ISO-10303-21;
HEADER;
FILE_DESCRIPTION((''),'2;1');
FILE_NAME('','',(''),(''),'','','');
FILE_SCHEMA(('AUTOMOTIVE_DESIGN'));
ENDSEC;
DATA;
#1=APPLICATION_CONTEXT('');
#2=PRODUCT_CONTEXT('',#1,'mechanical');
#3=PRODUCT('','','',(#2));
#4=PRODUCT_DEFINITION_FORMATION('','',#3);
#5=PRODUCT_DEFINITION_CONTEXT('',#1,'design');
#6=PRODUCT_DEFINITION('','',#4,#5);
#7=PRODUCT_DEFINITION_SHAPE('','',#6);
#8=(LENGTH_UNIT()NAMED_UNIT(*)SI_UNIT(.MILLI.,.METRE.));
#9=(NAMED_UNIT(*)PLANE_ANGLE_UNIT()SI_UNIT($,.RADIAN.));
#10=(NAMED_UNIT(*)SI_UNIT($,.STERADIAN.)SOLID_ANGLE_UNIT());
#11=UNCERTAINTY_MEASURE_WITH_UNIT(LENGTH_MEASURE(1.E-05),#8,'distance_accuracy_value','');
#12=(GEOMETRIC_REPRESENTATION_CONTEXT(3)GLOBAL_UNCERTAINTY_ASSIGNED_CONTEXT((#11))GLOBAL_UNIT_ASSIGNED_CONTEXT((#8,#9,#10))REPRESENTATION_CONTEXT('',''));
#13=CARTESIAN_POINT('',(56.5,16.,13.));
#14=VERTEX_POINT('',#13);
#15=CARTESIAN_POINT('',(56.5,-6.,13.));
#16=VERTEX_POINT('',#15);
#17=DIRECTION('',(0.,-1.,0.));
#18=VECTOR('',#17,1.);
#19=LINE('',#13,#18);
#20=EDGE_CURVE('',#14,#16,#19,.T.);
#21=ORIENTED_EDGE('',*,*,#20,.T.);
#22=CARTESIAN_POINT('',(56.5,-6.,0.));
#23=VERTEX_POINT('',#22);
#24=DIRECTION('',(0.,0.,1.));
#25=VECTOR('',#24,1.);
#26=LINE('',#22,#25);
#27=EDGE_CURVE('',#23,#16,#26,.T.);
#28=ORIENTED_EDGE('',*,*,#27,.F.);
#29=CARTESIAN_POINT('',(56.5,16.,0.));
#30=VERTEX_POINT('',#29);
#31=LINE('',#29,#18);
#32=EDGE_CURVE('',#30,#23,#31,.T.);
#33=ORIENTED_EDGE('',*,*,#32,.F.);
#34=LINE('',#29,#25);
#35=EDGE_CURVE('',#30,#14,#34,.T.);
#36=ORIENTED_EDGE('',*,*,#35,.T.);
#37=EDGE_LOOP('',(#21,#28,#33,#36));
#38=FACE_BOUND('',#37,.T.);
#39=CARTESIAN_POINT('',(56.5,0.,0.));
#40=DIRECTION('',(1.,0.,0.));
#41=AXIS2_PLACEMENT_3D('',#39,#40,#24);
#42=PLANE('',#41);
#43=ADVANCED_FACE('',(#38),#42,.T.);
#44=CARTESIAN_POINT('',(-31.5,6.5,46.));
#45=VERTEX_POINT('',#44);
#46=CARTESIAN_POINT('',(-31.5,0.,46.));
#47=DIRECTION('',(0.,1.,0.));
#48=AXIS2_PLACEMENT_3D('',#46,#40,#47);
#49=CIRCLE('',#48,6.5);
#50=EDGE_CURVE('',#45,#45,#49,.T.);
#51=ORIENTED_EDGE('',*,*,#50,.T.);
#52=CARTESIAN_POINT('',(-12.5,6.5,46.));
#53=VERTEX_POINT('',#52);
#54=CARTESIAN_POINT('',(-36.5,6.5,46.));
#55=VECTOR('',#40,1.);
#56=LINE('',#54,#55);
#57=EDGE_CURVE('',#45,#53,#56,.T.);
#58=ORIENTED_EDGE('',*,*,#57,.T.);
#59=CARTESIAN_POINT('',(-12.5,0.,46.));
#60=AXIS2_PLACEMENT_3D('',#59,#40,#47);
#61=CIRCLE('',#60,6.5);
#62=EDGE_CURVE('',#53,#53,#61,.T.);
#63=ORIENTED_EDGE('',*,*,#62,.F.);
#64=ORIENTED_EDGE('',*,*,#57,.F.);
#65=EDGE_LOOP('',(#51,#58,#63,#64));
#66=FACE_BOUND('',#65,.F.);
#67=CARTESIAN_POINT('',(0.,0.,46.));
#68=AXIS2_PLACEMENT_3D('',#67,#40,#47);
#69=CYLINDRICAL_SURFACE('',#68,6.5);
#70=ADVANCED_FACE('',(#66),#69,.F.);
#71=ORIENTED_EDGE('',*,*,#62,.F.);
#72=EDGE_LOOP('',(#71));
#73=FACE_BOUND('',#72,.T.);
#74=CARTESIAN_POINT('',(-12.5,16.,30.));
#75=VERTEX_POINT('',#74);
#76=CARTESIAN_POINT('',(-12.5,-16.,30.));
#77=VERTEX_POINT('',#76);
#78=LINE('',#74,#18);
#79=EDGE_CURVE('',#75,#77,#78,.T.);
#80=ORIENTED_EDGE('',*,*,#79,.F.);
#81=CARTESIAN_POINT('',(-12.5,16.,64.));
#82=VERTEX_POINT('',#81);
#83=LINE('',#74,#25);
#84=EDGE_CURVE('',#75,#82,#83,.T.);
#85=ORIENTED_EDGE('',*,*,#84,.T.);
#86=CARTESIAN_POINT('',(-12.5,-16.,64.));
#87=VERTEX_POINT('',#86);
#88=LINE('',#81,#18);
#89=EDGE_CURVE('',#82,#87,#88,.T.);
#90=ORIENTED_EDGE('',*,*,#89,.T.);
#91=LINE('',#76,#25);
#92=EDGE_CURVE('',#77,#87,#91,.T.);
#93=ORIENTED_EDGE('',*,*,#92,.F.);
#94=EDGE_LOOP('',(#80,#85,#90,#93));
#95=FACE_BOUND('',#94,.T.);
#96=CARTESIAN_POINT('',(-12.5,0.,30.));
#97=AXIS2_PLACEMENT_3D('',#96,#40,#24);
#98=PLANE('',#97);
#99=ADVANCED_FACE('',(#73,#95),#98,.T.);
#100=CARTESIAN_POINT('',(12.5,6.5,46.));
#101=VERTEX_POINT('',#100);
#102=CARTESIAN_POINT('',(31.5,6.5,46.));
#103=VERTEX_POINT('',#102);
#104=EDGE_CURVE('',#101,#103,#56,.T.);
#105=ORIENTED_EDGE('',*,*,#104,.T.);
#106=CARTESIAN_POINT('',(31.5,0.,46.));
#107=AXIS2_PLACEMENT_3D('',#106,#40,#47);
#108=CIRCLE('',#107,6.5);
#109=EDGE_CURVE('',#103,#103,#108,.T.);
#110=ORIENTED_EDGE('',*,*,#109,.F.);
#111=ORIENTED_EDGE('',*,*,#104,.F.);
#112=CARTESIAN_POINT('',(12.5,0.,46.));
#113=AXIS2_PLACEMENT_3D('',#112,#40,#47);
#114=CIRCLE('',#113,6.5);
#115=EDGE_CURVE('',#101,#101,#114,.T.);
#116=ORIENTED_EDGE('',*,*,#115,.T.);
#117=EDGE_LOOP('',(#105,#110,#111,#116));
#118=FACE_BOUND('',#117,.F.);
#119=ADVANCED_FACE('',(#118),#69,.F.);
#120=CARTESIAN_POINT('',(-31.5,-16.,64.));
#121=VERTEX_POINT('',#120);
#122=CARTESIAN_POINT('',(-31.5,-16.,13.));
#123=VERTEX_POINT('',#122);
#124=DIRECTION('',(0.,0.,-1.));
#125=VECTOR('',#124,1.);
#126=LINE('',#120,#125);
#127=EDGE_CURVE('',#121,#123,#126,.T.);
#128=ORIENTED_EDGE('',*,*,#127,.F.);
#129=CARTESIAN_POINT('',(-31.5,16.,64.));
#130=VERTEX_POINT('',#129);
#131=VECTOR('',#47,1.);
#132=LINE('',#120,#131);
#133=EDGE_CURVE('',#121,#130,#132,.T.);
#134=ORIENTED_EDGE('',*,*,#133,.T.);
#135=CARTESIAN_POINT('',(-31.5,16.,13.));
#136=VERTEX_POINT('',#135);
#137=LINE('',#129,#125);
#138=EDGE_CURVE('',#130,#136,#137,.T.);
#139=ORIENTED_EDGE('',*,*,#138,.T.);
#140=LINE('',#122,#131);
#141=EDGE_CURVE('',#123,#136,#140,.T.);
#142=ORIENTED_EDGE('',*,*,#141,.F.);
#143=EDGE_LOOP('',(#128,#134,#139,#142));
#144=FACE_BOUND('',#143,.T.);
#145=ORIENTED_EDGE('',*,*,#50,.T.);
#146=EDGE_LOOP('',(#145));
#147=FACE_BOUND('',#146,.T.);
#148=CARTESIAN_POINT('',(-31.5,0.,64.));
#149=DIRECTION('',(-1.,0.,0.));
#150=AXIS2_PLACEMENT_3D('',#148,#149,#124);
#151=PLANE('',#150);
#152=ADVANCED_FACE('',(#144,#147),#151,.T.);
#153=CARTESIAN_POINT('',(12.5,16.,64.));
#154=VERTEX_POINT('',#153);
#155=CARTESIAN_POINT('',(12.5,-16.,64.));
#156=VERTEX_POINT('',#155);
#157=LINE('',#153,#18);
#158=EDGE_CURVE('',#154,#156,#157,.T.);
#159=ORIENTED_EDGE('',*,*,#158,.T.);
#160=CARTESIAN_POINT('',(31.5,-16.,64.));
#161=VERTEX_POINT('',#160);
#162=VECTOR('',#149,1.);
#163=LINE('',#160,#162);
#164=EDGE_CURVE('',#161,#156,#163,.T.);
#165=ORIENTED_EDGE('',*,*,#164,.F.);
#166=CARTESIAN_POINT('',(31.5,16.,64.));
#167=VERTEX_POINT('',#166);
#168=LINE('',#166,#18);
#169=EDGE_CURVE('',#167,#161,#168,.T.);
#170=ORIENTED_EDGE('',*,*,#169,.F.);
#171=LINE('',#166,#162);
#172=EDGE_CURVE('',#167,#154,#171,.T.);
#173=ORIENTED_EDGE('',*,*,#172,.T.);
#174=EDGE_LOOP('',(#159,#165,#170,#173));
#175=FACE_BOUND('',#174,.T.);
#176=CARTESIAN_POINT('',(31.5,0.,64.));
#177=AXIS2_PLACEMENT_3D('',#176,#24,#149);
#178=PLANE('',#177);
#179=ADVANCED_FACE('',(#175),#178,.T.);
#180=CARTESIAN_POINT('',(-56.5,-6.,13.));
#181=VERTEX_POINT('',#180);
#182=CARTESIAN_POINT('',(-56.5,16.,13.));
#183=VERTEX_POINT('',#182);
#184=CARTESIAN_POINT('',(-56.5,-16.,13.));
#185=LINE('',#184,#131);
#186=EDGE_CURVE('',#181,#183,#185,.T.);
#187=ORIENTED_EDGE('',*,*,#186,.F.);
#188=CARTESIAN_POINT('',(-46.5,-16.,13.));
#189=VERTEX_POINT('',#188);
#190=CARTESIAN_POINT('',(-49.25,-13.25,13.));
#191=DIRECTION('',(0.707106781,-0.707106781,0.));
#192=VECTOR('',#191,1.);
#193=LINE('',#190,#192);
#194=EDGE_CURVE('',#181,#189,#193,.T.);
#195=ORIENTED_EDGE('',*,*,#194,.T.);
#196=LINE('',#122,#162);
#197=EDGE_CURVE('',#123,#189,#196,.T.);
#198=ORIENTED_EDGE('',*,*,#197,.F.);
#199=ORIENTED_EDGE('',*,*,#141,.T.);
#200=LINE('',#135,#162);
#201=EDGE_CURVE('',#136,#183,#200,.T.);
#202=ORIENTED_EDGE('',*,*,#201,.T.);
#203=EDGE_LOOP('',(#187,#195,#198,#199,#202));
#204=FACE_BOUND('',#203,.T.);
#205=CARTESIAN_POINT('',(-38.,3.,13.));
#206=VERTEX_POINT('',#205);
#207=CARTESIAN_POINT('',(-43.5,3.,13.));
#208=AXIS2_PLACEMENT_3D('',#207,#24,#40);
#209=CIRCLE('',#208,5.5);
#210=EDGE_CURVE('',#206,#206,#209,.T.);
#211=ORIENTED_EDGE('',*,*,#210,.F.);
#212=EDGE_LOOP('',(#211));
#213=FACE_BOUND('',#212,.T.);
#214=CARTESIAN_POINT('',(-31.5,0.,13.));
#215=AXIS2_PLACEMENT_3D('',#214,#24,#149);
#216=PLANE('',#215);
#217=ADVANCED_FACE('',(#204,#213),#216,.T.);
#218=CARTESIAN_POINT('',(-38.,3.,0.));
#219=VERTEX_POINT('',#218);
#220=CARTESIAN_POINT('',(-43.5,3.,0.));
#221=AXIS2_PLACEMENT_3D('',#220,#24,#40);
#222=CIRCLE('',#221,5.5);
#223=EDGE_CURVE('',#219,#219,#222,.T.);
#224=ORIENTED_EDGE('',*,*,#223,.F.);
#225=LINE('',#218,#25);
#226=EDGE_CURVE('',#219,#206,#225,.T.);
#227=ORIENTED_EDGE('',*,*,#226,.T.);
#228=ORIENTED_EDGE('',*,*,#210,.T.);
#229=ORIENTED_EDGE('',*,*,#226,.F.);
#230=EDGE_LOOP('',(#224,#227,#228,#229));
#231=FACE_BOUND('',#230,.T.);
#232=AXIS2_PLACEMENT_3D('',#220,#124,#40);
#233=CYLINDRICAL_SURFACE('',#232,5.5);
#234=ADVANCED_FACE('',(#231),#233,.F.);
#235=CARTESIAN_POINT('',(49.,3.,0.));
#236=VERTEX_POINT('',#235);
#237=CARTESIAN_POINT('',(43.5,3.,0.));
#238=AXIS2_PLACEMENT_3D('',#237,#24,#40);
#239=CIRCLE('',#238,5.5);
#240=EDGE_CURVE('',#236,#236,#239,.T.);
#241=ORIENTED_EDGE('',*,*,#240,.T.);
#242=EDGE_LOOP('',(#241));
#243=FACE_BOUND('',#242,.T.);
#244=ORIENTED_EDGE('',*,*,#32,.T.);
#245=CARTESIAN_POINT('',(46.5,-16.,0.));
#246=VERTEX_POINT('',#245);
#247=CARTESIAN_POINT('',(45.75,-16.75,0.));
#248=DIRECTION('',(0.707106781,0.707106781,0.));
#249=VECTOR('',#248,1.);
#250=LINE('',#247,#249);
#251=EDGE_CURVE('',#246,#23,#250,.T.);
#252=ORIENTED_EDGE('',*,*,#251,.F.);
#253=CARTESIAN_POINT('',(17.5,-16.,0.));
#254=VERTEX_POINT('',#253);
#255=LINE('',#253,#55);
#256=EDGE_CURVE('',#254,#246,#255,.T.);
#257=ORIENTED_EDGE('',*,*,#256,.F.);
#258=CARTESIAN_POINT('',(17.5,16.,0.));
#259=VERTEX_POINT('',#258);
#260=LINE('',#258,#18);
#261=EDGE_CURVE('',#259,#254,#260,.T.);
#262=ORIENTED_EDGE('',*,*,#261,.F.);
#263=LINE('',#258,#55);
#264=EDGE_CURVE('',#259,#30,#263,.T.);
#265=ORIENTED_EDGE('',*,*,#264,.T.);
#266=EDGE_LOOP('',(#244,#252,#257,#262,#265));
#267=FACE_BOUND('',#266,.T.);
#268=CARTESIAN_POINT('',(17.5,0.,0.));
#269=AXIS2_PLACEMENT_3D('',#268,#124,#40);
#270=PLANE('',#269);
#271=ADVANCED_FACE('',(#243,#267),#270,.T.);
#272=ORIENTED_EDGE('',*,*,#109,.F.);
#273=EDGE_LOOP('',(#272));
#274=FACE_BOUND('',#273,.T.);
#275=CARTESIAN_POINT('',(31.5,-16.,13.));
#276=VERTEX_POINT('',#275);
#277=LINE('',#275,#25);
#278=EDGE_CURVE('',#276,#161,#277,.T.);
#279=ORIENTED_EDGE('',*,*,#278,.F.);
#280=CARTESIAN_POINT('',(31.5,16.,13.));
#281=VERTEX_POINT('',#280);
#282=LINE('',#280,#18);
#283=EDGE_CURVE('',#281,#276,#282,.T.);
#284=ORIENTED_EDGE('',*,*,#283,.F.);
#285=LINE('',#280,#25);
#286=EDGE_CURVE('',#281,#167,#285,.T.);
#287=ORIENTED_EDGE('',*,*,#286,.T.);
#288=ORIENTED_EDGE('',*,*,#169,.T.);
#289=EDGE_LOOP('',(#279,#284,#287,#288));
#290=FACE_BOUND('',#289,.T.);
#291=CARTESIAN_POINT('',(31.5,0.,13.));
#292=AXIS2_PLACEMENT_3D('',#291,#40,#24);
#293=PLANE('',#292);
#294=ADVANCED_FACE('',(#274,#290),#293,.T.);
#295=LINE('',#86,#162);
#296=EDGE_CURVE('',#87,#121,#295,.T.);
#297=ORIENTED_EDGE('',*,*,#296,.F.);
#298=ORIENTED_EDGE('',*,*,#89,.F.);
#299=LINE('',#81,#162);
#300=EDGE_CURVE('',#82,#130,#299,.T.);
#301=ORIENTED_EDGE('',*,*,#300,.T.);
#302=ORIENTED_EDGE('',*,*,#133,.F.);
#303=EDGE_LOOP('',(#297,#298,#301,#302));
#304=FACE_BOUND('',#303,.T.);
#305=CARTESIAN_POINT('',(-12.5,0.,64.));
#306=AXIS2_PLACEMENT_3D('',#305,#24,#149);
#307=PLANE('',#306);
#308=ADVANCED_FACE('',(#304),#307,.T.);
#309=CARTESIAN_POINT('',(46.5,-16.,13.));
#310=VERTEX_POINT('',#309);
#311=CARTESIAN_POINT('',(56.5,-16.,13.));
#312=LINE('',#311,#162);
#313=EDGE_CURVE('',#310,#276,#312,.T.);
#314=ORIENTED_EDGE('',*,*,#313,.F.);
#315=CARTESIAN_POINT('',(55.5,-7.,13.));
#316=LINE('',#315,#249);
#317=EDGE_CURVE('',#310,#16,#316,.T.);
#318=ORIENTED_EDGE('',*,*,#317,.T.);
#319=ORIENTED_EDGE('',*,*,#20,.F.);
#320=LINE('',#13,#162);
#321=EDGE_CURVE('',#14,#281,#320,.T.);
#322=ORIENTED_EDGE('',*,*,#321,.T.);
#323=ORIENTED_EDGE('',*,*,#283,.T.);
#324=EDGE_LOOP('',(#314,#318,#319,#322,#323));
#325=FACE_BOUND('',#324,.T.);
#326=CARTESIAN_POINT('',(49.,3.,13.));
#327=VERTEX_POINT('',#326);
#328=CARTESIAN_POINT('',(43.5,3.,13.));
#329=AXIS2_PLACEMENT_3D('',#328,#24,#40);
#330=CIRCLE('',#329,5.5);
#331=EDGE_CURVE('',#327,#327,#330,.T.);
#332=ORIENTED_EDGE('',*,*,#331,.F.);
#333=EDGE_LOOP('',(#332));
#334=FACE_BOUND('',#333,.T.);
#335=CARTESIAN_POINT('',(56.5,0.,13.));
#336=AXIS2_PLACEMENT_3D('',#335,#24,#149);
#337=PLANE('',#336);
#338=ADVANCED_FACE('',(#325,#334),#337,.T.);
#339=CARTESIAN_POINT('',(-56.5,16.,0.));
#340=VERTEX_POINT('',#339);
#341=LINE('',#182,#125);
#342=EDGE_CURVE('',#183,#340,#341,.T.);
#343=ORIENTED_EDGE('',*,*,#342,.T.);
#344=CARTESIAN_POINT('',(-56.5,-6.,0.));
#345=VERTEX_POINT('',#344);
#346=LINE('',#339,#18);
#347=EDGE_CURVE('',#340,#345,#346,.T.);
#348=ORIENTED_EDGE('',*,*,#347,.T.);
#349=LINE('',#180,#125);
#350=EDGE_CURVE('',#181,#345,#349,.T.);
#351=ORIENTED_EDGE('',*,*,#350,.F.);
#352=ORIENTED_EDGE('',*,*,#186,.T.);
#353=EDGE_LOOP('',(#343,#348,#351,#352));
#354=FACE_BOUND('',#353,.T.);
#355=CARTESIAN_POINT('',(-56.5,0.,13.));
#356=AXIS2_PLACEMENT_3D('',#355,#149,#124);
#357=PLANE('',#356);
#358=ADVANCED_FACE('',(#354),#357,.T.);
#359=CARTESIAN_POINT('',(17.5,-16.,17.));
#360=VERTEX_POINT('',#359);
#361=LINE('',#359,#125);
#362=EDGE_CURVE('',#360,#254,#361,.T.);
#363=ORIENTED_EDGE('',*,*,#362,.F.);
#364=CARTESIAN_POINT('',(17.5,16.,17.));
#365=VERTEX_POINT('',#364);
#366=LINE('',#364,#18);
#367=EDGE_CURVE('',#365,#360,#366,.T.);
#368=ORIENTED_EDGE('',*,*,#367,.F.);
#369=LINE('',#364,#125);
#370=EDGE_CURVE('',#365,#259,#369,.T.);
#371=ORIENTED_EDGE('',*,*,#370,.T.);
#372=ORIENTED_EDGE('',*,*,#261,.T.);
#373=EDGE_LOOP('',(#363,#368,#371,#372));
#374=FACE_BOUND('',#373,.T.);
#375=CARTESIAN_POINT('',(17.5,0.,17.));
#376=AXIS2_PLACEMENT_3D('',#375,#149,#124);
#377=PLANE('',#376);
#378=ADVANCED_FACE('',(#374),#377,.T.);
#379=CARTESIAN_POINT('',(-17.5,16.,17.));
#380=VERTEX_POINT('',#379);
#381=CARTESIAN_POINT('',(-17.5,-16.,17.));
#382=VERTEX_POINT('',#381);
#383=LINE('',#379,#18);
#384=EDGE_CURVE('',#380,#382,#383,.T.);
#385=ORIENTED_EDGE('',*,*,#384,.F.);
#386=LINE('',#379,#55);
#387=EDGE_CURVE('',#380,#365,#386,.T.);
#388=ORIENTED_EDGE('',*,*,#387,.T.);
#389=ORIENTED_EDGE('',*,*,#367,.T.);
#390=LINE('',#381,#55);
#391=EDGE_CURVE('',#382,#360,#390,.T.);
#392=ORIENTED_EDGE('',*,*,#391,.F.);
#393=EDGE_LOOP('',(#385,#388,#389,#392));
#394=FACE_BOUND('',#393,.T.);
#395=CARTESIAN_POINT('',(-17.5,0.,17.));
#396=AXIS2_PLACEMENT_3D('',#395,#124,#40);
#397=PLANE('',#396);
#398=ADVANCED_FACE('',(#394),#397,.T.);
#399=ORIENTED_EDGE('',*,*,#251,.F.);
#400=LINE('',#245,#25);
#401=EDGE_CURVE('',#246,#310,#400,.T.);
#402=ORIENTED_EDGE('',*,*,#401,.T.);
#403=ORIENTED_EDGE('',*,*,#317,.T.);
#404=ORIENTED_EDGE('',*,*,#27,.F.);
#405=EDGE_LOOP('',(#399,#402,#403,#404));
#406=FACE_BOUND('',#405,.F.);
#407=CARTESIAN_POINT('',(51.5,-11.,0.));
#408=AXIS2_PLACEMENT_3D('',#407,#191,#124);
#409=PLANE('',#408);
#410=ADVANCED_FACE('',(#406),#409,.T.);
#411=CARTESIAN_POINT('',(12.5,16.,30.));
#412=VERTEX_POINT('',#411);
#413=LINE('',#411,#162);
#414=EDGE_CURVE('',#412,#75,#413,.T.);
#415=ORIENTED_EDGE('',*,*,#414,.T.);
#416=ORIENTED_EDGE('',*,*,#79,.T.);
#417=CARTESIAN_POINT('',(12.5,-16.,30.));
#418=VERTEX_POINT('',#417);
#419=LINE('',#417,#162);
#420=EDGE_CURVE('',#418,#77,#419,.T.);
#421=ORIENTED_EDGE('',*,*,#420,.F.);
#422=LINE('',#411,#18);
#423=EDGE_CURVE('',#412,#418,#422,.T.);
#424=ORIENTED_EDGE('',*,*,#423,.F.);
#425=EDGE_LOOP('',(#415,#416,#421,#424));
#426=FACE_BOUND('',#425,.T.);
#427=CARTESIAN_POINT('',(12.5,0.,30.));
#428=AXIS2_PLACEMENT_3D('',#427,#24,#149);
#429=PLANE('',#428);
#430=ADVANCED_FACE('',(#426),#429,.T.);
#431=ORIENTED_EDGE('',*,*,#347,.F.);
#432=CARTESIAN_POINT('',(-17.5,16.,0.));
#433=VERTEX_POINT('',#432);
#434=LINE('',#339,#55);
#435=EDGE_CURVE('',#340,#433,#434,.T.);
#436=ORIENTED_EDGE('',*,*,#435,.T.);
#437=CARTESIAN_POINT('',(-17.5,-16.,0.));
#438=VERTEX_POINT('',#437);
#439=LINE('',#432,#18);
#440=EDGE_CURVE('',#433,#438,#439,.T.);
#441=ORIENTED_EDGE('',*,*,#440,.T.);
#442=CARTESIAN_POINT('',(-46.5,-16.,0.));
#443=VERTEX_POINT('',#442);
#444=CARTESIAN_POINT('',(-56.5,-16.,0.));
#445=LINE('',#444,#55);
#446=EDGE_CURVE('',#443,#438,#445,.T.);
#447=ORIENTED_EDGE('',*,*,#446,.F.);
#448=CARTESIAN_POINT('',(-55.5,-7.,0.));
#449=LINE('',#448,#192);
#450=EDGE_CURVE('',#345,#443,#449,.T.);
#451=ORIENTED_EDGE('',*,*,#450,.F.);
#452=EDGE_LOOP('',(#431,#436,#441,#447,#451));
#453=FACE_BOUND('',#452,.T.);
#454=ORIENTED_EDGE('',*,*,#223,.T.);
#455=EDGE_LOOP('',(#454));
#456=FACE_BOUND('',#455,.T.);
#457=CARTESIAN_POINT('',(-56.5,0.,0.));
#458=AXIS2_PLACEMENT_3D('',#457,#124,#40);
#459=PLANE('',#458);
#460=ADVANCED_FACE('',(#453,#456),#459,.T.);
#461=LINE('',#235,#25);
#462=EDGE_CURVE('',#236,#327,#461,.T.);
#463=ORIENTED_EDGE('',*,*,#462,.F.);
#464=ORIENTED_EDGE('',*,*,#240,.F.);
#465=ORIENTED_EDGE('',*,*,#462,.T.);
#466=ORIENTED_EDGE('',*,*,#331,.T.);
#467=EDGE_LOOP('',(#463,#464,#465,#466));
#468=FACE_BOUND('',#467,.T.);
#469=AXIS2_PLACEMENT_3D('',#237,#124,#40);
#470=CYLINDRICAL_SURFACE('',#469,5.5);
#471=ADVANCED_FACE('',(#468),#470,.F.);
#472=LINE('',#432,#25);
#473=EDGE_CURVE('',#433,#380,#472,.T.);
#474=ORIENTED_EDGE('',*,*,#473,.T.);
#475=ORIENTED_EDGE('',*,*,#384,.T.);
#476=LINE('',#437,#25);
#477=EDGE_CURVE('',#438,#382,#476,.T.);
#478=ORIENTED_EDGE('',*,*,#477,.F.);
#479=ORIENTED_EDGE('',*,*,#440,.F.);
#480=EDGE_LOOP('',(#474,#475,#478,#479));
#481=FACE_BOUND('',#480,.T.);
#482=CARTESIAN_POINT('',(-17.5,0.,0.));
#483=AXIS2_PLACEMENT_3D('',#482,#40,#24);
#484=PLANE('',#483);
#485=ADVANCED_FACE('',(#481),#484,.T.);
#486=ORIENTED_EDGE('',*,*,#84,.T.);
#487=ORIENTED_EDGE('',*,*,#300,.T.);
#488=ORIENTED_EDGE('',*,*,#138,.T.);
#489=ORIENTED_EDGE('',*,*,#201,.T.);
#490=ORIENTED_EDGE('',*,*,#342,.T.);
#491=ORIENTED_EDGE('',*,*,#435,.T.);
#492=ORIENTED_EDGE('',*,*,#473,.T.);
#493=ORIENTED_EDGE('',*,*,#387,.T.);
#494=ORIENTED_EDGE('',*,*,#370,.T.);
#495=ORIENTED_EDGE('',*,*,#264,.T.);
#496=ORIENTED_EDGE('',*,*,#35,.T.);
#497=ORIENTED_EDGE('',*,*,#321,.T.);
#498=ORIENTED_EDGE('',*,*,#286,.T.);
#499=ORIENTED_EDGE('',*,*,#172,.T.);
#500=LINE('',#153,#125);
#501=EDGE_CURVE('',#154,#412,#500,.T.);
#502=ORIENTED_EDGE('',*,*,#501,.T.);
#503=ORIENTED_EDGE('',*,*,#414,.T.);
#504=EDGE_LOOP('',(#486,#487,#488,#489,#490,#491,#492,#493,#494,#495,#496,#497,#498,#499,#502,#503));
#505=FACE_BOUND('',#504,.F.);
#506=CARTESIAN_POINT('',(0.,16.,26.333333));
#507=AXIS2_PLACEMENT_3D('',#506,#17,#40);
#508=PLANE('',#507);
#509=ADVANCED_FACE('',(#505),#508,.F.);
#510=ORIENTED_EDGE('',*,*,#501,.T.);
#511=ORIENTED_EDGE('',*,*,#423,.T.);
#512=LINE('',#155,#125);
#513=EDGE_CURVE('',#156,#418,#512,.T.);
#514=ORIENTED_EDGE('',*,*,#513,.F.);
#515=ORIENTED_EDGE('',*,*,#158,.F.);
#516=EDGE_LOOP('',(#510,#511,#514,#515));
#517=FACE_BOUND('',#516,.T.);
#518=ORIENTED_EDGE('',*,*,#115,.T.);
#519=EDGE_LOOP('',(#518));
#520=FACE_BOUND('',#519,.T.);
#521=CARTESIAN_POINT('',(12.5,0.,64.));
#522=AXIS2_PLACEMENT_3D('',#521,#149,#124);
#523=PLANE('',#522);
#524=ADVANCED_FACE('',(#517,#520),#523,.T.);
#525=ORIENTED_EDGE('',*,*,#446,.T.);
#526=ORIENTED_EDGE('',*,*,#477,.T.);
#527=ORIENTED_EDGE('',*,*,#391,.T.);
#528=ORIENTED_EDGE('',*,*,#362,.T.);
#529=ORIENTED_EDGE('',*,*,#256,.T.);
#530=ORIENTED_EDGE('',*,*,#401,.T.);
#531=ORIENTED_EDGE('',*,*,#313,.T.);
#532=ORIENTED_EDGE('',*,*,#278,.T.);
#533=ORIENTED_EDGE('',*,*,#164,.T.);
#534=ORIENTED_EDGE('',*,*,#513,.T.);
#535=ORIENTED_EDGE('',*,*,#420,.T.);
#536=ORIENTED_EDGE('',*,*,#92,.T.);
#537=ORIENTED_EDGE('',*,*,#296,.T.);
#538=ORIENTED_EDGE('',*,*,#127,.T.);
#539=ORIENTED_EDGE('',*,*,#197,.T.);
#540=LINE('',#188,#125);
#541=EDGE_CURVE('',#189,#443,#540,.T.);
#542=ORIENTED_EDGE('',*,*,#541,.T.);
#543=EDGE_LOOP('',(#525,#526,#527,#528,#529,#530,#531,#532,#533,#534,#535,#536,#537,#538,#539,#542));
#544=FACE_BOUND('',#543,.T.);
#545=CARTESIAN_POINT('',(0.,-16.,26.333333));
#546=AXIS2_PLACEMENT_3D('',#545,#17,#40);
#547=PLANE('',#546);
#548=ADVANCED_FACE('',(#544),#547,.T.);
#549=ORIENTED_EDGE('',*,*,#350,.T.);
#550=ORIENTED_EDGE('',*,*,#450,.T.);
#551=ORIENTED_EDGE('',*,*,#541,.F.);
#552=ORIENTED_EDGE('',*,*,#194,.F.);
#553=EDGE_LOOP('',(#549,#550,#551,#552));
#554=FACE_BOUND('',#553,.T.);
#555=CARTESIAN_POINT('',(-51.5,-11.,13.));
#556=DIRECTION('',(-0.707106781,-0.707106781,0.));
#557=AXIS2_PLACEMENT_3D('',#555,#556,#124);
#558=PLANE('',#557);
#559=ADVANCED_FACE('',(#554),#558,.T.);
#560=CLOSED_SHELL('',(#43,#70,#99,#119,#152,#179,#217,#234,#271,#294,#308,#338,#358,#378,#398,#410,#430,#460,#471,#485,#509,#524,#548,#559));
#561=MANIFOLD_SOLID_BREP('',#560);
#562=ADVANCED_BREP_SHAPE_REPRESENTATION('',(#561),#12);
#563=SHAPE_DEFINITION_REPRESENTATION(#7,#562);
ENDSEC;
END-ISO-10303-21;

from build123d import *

# Parameters (mm, degrees)
F1_DEPTH = 16
F2_R     = 6.5
F3_DEPTH = 36.5
F4_R     = 5.5
F5_DEPTH = 13
F6_SIZE  = 10


with BuildPart() as f1:
    # F0 (on Front) → F1 (new body, symmetric)
    with BuildSketch(Plane.XZ):
        Polygon((-56.5, 13), (-56.5, 0), (-17.5, 0), (-17.5, 17), (17.5, 17), (17.5, 0), (56.5, 0), (56.5, 13), (31.5, 13), (31.5, 64), (12.5, 64), (12.5, 30), (-12.5, 30), (-12.5, 64), (-31.5, 64), (-31.5, 13), align=None)
    extrude(amount=F1_DEPTH, both=True)

    # F2 (on Right) → F3 (cut, symmetric)
    with BuildSketch(Plane.YZ):
        with Locations((0, 46)):
            Circle(F2_R)
    extrude(amount=F3_DEPTH, both=True, mode=Mode.SUBTRACT)

    # F4 (on Top) → F5 (cut)
    with BuildSketch(Plane.XY):
        with Locations((-43.5, 3)):
            Circle(F4_R)
        with Locations((43.5, 3)):
            Circle(F4_R)
    extrude(amount=F5_DEPTH, mode=Mode.SUBTRACT)

    # F6
    f6_edges = [f1.edges().sort_by_distance(p)[0] for p in [
        (56.5, -16, 6.5),
        (-56.5, -16, 6.5),
    ]]
    chamfer(f6_edges, length=F6_SIZE)


solid = f1.part
